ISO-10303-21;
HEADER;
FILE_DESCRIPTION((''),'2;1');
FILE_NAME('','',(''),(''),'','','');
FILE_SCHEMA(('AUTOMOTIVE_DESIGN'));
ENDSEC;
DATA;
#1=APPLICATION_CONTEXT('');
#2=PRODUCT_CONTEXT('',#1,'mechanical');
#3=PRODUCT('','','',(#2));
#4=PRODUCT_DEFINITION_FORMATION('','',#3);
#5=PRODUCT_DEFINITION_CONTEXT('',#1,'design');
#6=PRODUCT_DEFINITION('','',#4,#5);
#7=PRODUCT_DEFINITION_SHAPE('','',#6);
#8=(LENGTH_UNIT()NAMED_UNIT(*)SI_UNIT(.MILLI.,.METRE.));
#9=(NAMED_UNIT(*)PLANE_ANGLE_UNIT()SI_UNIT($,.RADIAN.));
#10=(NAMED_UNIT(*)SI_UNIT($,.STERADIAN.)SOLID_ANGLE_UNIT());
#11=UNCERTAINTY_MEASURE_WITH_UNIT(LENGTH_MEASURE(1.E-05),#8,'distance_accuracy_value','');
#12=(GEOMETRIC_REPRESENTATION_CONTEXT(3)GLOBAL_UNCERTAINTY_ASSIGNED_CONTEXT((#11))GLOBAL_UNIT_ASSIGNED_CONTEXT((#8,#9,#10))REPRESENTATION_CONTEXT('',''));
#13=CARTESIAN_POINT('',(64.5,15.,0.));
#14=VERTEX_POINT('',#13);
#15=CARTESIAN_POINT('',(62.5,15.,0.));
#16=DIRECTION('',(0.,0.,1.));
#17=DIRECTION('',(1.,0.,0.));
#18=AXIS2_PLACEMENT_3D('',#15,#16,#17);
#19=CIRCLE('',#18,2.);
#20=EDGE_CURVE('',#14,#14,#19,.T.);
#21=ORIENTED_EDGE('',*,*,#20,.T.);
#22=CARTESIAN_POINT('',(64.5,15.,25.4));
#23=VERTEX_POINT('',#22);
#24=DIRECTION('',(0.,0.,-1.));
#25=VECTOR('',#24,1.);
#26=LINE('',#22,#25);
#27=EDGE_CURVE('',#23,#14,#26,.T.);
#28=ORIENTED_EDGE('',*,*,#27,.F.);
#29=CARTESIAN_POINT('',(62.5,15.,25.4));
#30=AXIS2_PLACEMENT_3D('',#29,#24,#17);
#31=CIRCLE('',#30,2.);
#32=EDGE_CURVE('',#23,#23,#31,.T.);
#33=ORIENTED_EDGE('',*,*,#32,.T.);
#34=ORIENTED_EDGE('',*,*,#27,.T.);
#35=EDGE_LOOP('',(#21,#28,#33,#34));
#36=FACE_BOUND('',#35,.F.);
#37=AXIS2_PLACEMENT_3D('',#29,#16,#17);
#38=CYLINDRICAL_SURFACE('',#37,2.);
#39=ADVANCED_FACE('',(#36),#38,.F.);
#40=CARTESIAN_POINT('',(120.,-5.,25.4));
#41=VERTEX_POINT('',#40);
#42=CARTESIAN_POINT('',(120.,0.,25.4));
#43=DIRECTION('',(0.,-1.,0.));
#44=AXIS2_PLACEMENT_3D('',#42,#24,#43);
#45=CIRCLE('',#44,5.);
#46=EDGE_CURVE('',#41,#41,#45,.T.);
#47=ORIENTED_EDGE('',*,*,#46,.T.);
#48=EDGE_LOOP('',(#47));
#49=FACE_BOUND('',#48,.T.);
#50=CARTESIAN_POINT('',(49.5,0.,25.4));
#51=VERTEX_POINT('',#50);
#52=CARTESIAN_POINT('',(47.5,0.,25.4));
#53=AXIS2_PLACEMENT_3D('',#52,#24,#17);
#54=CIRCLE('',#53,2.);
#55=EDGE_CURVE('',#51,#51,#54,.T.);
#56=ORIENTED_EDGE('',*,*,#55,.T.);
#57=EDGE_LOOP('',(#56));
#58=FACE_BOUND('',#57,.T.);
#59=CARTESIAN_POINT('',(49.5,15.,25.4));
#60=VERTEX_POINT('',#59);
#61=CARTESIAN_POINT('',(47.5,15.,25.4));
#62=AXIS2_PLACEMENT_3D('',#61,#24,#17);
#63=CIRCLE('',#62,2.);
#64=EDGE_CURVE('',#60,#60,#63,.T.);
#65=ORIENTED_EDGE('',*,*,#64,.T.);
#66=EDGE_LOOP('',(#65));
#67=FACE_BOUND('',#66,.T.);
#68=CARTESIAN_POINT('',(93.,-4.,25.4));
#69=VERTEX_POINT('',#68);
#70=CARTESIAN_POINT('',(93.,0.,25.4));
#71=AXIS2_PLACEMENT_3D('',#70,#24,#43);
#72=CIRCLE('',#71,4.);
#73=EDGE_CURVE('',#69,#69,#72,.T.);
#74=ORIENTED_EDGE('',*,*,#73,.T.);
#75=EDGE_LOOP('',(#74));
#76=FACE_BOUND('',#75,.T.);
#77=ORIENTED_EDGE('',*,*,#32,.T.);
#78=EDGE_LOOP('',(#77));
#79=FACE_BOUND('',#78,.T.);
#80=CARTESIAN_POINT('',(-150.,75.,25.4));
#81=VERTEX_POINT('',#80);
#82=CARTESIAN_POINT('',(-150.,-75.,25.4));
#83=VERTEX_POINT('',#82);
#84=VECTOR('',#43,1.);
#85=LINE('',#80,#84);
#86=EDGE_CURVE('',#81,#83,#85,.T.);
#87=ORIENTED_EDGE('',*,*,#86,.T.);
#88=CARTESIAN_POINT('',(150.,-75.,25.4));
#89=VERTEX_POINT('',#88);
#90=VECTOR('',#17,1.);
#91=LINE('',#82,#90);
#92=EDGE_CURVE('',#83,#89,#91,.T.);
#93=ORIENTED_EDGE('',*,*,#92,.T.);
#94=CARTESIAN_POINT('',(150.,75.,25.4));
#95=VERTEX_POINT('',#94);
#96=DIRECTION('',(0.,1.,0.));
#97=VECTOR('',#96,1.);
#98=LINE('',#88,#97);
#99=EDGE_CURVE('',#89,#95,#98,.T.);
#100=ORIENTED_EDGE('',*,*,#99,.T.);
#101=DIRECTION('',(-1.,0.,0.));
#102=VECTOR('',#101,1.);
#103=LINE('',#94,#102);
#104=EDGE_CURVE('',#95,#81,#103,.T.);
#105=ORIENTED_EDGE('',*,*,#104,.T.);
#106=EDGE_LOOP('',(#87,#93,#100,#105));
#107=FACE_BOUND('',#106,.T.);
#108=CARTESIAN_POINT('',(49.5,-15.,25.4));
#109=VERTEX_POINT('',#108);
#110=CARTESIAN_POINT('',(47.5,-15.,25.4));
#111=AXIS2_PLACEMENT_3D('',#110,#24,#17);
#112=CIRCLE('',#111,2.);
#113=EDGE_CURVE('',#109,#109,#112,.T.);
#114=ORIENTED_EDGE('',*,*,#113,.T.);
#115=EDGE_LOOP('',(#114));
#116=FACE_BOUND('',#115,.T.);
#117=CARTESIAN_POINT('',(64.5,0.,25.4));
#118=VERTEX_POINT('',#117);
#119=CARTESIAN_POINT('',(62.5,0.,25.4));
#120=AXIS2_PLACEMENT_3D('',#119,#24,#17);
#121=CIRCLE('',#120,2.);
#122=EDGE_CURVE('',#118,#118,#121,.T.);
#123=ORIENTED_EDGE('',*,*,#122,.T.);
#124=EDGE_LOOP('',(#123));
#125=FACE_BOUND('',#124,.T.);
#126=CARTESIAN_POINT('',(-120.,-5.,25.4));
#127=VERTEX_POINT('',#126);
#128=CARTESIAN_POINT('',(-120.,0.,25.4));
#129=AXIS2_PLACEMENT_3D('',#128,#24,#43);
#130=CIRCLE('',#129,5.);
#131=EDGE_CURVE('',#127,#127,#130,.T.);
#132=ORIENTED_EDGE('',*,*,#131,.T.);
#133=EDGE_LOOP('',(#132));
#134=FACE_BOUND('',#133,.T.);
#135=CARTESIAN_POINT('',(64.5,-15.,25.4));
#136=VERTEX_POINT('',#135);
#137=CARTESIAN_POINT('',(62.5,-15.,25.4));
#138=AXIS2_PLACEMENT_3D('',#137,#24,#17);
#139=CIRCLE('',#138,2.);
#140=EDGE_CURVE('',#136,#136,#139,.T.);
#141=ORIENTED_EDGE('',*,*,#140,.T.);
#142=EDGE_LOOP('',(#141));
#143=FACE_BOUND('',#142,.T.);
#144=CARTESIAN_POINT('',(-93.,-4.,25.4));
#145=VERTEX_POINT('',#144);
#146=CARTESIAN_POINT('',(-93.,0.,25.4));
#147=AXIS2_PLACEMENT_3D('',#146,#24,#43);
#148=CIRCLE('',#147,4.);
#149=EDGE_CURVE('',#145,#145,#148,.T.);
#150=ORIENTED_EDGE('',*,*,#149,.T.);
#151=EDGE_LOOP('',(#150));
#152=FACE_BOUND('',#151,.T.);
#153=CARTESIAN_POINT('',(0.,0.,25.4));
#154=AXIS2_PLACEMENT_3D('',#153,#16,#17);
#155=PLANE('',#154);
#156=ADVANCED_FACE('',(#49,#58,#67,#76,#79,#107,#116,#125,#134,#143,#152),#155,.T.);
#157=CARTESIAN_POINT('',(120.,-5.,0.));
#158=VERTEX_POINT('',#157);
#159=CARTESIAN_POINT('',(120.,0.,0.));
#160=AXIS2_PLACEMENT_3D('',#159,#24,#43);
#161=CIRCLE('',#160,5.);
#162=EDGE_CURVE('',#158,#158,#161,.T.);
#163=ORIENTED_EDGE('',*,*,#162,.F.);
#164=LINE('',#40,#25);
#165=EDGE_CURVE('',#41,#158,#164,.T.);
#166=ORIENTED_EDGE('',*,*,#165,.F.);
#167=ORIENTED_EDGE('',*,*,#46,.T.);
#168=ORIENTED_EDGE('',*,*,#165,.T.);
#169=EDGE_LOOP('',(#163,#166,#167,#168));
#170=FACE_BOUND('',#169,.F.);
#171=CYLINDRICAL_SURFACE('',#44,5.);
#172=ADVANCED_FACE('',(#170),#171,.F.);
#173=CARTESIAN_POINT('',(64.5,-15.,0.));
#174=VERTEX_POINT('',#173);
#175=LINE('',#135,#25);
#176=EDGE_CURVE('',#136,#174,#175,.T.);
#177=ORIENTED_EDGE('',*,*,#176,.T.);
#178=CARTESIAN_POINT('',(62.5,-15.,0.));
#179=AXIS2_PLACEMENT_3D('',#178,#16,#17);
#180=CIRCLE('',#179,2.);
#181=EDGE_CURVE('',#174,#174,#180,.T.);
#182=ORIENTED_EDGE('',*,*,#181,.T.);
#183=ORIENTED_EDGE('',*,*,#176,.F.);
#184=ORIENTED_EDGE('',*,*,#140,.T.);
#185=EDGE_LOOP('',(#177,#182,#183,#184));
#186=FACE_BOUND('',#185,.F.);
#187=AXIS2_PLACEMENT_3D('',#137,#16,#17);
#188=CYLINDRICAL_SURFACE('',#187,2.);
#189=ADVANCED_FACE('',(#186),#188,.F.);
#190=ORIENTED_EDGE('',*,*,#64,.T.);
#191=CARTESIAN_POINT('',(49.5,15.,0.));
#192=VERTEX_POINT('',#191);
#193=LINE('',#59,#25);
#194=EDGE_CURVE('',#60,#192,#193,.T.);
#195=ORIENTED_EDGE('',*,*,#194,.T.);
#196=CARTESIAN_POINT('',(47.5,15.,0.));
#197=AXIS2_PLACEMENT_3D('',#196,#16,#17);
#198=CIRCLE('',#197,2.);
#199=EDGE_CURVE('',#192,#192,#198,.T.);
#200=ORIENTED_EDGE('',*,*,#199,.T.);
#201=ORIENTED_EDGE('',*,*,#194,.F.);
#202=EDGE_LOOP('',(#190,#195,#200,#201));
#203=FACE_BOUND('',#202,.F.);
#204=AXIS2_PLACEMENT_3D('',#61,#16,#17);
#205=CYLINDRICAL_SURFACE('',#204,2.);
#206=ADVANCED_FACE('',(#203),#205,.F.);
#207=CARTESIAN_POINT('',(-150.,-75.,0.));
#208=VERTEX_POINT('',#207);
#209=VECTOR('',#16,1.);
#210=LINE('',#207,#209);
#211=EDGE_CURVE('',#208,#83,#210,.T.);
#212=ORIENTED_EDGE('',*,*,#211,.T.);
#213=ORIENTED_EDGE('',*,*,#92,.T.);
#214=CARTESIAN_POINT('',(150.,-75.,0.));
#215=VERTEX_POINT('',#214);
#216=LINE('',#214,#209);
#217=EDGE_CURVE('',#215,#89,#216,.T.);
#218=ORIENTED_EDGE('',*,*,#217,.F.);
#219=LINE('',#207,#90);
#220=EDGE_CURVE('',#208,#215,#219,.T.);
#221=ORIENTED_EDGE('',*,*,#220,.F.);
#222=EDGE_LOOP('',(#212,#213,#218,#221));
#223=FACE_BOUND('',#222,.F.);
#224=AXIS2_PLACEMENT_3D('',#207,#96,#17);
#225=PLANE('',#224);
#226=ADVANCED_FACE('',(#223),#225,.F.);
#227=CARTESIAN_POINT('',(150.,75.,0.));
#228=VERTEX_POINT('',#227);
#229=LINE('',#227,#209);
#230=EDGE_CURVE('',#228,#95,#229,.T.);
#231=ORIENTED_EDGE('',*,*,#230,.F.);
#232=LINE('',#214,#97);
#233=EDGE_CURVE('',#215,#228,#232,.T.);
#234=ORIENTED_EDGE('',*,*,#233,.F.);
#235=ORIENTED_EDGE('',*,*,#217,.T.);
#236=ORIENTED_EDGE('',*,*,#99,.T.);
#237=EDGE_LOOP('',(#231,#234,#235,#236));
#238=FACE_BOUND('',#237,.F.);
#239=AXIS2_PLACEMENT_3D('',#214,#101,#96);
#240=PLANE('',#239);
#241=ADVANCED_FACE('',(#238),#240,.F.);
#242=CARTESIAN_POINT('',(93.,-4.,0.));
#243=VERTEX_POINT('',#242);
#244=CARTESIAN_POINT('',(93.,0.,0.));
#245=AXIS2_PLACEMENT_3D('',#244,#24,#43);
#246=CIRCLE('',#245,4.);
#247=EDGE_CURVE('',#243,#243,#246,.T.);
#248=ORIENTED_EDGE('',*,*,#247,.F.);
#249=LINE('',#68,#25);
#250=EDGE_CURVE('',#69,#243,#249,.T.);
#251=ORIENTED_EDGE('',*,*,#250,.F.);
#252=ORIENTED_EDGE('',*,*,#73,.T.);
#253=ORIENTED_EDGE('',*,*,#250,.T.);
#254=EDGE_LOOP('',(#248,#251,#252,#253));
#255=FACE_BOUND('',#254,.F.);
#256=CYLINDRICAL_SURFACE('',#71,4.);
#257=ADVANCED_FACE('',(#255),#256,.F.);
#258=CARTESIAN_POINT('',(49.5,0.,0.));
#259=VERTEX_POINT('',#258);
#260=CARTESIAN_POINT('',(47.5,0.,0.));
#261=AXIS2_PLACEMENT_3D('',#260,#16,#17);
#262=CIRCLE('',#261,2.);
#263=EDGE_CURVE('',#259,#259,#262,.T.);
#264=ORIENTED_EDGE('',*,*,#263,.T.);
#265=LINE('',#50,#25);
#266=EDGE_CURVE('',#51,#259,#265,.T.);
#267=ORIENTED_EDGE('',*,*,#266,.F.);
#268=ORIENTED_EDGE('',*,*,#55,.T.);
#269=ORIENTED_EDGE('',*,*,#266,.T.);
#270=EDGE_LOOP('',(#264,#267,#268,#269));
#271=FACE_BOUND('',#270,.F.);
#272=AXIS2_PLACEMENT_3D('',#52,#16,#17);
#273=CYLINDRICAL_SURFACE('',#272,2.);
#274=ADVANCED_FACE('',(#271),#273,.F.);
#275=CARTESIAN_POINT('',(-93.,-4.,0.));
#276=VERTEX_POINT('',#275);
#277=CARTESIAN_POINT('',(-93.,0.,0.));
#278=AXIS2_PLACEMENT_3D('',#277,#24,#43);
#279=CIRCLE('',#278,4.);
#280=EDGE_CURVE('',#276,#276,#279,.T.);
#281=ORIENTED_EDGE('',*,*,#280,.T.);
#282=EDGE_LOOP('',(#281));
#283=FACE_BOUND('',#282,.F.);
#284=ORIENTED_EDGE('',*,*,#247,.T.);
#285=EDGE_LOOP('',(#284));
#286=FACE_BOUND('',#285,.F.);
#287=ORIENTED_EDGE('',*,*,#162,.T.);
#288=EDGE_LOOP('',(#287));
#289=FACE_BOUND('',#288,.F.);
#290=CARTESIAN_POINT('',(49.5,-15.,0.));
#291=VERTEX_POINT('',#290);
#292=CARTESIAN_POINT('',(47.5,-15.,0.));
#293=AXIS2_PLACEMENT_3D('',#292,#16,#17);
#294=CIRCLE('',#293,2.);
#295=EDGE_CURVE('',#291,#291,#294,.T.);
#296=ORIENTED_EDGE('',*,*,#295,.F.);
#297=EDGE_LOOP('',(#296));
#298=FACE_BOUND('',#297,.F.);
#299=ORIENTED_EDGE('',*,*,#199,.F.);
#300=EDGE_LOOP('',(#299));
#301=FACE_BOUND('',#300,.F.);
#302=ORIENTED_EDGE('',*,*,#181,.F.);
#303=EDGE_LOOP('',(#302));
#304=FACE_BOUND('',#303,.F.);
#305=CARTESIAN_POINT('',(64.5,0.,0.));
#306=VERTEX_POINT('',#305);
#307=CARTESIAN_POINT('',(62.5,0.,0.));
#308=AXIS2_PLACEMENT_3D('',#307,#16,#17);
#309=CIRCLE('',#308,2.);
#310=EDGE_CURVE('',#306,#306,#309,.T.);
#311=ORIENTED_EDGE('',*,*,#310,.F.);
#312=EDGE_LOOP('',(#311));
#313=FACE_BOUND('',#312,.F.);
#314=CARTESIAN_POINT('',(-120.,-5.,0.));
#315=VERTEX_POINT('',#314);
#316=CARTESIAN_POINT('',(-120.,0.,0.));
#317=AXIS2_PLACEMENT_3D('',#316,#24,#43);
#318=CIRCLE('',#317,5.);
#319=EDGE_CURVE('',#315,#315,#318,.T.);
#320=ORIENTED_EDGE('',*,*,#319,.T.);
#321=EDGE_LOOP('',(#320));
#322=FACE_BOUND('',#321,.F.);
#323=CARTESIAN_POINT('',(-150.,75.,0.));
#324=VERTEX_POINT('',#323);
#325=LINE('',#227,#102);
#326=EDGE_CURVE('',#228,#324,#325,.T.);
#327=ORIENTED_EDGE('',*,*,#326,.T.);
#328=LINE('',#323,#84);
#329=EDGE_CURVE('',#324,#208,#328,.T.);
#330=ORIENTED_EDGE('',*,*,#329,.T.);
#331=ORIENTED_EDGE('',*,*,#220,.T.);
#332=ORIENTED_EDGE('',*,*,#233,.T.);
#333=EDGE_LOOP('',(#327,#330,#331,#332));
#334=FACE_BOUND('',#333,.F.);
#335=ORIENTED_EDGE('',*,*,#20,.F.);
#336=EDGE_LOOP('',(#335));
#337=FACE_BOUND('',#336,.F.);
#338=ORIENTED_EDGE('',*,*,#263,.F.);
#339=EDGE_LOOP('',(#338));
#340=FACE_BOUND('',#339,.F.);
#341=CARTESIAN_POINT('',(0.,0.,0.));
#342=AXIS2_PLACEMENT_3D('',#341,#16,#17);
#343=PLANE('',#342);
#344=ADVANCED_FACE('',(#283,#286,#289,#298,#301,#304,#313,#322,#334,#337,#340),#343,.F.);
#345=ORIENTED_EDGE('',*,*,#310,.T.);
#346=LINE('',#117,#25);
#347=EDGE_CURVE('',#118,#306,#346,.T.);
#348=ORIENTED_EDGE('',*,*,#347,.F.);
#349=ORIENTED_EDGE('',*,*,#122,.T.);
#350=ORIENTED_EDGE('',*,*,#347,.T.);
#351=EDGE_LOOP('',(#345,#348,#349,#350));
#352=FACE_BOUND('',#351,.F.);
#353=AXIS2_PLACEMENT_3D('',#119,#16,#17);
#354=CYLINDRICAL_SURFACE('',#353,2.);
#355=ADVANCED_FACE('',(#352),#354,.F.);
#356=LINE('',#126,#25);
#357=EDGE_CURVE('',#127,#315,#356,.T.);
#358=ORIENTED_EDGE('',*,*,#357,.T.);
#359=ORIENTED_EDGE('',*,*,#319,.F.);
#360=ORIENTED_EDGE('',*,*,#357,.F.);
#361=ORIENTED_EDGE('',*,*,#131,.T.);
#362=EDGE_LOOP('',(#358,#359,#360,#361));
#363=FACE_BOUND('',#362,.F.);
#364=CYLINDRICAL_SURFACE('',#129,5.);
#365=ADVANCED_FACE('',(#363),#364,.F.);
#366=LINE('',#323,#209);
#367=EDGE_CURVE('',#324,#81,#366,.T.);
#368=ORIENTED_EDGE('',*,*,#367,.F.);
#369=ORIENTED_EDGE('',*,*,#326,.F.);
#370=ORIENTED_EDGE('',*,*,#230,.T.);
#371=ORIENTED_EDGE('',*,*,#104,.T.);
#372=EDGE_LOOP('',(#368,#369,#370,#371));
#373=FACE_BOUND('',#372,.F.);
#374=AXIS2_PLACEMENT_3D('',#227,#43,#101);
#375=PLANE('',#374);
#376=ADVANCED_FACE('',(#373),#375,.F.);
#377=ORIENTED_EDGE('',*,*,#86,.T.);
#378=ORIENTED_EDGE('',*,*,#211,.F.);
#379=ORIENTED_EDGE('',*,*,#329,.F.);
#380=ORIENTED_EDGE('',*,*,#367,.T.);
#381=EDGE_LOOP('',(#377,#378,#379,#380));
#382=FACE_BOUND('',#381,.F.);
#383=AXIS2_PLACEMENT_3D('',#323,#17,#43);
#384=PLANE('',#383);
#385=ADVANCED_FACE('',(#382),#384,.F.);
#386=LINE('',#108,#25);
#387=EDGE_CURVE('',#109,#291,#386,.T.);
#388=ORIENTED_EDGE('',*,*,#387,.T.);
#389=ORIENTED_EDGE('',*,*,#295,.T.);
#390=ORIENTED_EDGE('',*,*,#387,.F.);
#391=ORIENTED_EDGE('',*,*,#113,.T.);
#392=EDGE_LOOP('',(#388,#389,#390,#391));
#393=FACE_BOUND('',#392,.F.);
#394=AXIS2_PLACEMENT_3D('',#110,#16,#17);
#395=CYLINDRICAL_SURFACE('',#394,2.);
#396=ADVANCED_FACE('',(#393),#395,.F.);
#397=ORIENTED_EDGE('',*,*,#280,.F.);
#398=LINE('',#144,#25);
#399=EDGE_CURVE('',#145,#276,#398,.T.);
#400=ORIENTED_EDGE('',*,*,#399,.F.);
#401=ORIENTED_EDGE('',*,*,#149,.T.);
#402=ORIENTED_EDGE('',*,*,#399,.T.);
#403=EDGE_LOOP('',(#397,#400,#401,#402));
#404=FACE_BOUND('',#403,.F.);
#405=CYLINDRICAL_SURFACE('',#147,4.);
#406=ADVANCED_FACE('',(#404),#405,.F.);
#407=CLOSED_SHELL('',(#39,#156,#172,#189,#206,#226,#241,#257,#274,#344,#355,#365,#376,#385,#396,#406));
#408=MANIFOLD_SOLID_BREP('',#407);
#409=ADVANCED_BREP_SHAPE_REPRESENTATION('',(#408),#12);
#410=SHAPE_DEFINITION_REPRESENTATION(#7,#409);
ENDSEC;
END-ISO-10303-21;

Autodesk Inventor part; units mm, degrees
ref_plane "YZ Plane" through (0, 0, 0) normal (1, 0, 0) x (0, 1, 0)
ref_plane "XZ Plane" through (0, 0, 0) normal (0, 1, 0) x (-1, 0, 0)
ref_plane "XY Plane" through (0, 0, 0) normal (0, 0, 1) x (1, 0, 0)
sketch "Sketch1" plane through (0, 0, 0) normal (0, 0, 1) x (1, 0, 0)
  line L0 (-150, -75) -> (150, -75)
  line L1 (150, -75) -> (150, 75)
  line L2 (150, 75) -> (-150, 75)
  line L3 (-150, 75) -> (-150, -75)
  line L4 (-150, -75) -> (150, 75) construction
  line L5 (150, -75) -> (-150, 75) construction
  point P0 (0, 0)
  dimension "d0" = 300
  dimension "d1" = 150
extrude "Extrusion1" add sketch "Sketch1" along normal blind 25.4
sketch "Sketch2" plane through (0, 0, 25.4) normal (0, 0, 1) x (1, 0, 0)
  line L0 (-120, 0) -> (120, 0)
  line L1 (-150, 75) -> (-150, -75) projected
  point P0 (0, 0)
  point P1 (0, 0)
  dimension "d4" = 30
hole "Hole1" at (-120, 0, 25.4) at (120, 0, 25.4) direction (0, 0, -1) diameter 10 end through all
sketch "Sketch3" plane through (0, 0, 25.4) normal (0, 0, 1) x (1, 0, 0)
  line L0 (-93, 0) -> (93, 0)
  point P0 (0, 0)
  point P1 (0, 0)
  dimension "d38" = 186
hole "Hole2" at (-93, 0, 25.4) at (93, 0, 25.4) direction (0, 0, -1) diameter 8 end through all
sketch "Sketch5" plane through (0, 0, 25.4) normal (0, 0, 1) x (1, 0, 0)
  line L0 (0, 0) -> (150, 0)
  line L1 (150, -75) -> (150, 75) projected
  circle A0 centre (47.5, 0) radius 2
  circle A1 centre (62.5, 0) radius 2
  dimension "d26" = 4
  dimension "d27" = 47.5
  dimension "d37" = 15
extrude "Extrusion2" cut sketch "Sketch5" against normal through all
pattern_linear "Rectangular Pattern1" count 2 spacing 15 along (0, -1, 0) count 2 spacing -15 along (0, -1, 0) of "Extrusion2"
properties part number "base de madera pequeña"
